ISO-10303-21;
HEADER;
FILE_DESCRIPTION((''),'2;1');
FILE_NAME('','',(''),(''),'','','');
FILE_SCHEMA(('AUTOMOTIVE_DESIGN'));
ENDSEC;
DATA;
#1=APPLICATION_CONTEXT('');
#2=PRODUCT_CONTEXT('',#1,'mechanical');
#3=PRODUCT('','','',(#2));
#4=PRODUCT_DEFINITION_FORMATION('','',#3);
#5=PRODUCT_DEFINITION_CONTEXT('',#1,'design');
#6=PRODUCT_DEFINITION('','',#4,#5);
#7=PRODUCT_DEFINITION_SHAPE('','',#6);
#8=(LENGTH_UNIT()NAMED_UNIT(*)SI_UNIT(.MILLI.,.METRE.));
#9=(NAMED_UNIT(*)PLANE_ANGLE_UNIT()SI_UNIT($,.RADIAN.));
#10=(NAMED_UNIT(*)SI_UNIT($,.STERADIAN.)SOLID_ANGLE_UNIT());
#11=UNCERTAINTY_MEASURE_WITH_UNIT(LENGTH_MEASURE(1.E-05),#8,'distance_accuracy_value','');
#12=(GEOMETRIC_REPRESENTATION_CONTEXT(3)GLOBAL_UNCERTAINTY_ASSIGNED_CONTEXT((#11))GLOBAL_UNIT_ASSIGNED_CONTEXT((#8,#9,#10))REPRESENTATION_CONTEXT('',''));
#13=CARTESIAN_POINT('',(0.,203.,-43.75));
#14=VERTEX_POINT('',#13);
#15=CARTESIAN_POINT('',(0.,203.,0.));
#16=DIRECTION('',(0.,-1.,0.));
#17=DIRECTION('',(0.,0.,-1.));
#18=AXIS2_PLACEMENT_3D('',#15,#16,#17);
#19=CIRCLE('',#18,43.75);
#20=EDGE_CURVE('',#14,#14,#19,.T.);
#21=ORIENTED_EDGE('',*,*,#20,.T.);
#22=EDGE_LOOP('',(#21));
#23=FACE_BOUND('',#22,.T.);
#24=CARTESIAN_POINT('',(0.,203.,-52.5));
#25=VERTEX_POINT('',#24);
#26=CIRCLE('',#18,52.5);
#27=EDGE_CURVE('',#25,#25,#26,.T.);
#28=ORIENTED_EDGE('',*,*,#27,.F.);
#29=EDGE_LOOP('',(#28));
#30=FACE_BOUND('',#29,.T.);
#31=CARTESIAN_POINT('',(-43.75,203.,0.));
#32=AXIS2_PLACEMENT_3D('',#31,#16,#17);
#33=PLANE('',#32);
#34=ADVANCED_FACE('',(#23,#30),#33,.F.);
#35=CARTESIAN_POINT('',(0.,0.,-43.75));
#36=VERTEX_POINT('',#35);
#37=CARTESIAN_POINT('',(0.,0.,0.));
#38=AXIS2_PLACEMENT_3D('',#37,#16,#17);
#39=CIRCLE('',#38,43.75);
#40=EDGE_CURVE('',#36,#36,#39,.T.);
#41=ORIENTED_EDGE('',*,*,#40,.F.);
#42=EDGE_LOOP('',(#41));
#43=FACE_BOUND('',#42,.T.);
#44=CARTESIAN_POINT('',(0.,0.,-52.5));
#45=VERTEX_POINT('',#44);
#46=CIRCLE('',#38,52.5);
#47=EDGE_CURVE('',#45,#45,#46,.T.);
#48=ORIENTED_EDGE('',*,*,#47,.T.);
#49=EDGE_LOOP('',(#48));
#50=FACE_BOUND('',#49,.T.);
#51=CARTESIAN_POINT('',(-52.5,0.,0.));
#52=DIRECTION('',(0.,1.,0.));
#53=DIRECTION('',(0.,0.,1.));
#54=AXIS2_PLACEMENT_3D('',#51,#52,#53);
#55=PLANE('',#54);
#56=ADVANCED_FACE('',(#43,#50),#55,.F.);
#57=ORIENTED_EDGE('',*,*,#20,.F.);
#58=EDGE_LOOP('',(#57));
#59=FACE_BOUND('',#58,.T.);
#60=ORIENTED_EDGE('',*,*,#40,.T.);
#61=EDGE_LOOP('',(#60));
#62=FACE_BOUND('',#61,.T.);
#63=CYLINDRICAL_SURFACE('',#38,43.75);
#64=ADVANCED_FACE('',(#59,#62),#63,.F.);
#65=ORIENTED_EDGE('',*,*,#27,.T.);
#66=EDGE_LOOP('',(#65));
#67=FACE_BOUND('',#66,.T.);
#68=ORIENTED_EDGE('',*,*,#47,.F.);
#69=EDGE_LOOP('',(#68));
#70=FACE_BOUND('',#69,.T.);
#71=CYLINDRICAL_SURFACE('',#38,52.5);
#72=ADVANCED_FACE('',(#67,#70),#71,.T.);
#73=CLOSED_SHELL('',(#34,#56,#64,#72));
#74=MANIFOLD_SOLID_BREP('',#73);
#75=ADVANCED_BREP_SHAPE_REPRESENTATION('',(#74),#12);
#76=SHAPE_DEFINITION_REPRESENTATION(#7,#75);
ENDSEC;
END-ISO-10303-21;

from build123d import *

# Parameters (mm, degrees)
CROQUIS1_W = 8.75
CROQUIS1_H = 203


with BuildPart() as part:
    # Croquis1 → Revolución1 (revolve)
    with BuildSketch(Plane.XY):
        with Locations((-48.125, 101.5)):
            Rectangle(CROQUIS1_W, CROQUIS1_H)
    revolve(axis=Axis((0, 0, 0), (0, 1, 0)))


solid = part.part
